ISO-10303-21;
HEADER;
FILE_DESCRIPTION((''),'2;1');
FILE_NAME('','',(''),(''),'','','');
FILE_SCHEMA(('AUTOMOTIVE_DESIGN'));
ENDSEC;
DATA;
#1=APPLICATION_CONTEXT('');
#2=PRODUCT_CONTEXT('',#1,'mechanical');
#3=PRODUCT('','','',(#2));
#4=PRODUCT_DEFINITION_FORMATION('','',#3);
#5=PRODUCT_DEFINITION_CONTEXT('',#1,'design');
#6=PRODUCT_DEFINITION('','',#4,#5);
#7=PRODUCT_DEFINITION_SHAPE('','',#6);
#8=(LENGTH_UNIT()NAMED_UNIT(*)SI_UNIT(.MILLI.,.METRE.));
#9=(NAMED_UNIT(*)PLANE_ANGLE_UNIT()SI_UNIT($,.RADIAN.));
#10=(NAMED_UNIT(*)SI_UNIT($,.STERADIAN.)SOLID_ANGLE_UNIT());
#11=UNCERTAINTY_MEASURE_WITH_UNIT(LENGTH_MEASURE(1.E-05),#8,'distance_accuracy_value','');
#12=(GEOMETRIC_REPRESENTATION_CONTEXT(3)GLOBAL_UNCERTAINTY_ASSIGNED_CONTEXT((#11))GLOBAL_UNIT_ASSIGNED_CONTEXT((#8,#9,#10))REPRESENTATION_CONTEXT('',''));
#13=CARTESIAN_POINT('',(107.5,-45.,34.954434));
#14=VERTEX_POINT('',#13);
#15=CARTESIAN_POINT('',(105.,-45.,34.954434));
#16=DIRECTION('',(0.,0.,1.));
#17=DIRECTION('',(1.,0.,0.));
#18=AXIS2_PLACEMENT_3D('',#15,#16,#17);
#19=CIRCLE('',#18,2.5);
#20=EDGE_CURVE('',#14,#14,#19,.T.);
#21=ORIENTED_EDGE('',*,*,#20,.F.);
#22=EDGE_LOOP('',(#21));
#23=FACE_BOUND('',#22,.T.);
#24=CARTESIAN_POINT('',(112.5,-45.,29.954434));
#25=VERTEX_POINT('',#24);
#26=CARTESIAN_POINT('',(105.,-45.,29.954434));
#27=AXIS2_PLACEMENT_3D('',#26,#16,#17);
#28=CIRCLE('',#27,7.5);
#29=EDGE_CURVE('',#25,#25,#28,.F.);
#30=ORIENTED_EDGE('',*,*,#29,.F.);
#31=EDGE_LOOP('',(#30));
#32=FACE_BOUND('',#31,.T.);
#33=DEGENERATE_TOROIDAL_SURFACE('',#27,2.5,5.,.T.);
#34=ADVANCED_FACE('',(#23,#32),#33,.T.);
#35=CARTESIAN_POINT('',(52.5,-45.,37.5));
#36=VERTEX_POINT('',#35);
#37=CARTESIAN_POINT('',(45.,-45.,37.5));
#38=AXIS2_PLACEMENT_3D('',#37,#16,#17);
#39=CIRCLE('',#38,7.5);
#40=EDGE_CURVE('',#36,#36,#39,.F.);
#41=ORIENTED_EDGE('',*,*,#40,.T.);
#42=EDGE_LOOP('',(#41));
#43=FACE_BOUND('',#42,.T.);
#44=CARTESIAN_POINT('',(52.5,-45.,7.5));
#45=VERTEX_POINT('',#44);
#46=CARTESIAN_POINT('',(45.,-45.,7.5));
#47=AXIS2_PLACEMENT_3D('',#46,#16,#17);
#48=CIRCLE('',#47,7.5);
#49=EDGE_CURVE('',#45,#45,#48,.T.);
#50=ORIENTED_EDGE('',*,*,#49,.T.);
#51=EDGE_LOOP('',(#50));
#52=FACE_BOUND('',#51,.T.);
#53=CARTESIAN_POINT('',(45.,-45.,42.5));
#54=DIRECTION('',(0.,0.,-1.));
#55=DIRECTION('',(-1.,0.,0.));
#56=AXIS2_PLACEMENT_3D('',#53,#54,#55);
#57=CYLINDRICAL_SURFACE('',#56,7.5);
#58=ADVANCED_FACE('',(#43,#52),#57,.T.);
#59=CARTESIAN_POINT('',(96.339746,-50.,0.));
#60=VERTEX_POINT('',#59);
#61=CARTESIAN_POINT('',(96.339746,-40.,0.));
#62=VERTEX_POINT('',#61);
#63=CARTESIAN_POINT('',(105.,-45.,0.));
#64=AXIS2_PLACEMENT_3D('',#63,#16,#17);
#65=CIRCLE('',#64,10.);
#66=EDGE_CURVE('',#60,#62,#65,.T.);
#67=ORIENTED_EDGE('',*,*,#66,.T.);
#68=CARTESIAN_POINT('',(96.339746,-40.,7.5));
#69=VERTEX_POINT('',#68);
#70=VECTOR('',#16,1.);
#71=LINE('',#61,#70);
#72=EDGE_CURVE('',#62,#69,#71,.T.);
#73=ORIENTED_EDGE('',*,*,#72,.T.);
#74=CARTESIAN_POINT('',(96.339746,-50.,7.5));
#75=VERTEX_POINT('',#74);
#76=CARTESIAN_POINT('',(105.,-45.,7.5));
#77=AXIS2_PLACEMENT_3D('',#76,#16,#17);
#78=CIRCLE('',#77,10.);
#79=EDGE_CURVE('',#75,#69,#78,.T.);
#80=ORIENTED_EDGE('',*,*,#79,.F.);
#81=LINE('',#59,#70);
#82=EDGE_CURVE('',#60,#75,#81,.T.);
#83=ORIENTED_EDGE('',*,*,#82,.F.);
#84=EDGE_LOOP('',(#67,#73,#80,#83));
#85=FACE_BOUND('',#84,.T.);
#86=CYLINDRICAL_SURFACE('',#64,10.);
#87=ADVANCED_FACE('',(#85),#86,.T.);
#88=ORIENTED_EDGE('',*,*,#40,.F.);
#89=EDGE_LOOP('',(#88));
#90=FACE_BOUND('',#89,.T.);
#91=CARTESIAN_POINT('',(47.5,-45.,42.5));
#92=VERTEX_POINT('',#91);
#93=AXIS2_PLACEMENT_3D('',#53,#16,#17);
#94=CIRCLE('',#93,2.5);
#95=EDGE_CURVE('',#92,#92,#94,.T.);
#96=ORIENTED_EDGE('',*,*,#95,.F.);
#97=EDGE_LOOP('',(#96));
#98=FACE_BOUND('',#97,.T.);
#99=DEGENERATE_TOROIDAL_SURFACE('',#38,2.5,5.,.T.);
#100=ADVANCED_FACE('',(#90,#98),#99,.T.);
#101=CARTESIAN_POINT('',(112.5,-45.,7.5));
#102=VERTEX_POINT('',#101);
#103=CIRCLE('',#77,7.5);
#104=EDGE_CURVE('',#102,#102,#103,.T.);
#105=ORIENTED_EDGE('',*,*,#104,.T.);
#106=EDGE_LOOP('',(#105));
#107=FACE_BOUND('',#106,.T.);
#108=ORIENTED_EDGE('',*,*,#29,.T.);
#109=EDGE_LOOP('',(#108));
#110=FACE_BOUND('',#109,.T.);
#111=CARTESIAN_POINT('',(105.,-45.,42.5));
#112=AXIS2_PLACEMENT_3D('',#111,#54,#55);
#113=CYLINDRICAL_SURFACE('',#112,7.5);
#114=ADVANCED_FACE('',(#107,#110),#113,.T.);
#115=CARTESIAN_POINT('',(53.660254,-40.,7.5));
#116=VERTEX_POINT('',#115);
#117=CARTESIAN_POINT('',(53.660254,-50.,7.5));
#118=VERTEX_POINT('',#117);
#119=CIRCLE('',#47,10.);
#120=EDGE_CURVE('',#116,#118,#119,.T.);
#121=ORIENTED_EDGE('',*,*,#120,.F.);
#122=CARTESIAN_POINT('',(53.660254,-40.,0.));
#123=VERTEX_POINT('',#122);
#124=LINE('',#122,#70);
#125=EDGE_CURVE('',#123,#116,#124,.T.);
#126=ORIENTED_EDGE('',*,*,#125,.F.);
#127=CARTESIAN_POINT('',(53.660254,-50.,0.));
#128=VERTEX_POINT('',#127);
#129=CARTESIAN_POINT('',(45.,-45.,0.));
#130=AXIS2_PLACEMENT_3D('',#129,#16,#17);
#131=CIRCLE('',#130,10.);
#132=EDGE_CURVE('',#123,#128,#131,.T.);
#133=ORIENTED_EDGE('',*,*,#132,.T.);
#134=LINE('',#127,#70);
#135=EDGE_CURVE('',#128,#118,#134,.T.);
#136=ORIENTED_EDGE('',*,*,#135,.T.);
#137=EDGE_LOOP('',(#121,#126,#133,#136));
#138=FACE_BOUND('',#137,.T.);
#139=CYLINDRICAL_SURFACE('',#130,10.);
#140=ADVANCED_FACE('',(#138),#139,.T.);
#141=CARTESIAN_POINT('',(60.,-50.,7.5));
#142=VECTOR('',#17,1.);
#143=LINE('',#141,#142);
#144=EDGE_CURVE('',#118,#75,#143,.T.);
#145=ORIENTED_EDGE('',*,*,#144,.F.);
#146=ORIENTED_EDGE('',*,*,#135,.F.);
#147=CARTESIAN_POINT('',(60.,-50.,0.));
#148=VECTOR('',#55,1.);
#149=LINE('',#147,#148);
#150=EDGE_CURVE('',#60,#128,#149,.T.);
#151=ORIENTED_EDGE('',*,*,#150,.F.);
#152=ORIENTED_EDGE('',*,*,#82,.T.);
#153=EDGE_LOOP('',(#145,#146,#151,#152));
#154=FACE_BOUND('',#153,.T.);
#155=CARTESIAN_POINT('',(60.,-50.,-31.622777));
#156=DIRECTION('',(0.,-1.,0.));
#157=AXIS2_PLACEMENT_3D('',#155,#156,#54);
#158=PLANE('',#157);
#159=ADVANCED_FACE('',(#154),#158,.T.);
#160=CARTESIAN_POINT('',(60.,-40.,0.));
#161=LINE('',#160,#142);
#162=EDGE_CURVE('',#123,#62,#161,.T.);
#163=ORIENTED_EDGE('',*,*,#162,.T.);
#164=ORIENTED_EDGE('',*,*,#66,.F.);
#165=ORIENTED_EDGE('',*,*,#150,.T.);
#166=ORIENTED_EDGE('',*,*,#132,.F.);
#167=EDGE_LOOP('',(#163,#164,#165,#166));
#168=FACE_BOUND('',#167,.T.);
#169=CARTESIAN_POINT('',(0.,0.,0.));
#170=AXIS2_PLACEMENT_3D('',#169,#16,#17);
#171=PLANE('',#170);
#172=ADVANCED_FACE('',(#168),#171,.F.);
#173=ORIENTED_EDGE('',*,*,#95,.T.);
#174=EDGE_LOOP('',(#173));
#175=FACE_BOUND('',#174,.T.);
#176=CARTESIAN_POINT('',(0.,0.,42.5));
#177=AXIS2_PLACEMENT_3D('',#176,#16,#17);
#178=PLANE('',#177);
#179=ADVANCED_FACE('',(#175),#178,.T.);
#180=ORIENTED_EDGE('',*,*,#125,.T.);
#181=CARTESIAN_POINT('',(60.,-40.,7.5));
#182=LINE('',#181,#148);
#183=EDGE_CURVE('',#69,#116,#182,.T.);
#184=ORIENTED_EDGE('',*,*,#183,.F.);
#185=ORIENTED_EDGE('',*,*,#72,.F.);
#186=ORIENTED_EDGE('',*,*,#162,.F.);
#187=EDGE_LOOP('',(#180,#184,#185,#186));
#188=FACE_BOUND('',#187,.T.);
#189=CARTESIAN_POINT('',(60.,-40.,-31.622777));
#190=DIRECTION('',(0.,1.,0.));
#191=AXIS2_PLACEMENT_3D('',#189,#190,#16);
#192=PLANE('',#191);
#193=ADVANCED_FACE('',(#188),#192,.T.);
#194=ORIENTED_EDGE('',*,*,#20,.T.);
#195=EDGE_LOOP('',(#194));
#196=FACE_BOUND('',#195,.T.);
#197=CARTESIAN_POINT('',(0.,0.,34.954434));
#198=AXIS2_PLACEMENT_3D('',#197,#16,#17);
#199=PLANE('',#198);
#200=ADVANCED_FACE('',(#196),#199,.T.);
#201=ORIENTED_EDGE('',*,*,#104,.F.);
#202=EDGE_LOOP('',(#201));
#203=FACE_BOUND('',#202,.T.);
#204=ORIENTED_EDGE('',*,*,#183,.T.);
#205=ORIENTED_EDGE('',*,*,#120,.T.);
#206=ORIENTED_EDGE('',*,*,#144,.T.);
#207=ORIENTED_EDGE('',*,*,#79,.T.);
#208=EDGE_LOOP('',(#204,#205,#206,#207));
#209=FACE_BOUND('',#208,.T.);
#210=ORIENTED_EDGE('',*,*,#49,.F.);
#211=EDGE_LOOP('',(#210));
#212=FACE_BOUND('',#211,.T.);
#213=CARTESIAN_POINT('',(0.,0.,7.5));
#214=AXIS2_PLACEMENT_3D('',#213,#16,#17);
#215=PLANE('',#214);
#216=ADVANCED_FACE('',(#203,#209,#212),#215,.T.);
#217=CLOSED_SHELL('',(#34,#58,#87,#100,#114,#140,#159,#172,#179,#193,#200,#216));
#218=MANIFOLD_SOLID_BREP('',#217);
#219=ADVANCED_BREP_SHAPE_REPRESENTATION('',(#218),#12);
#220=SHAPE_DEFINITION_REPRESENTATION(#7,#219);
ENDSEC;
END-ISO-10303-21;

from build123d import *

# Parameters (mm, degrees)
SKETCH1_W               = 150
SKETCH1_H               = 90
BOSS_EXTRUDE1_DEPTH     = 70
SHELL4_T                = -5
SKETCH2_R               = 20
BOSS_EXTRUDE2_DEPTH     = 2.5
SKETCH3_R               = 7.5
BOSS_EXTRUDE3_DEPTH     = 35
SKETCH4_W               = 65
SKETCH4_H               = 4.658499389
CUT_EXTRUDE1_DEPTH      = 189.414436814
SKETCH6_W               = 3
SKETCH6_H               = 3
CUT_EXTRUDE3_DEPTH      = 40
FILLET4_R               = 5
FILLET5_R               = 5
SKETCH10_W              = 3
SKETCH10_H              = 3
CUT_EXTRUDE4_DEPTH      = 40
CUT_EXTRUDE5_DEPTH      = 187.614576065
CUT_EXTRUDE5_DEPTH_BACK = 187.614576065
SKETCH11_W              = 3
SKETCH11_H              = 3
SKETCH11_R              = 20
SKETCH12_W              = 30
SKETCH12_H              = 10
BOSS_EXTRUDE4_DEPTH     = 7.5
CUT_EXTRUDE8_DEPTH      = 146.17231141
CUT_EXTRUDE8_DEPTH_BACK = 146.17231141


with BuildPart() as part:
    # Sketch1 → Boss-Extrude1 (new body)
    with BuildSketch(Plane.XY):
        with Locations((75, -45)):
            Rectangle(SKETCH1_W, SKETCH1_H)
    extrude(amount=BOSS_EXTRUDE1_DEPTH)

    # Shell4
    shell4_openings = [part.faces().sort_by_distance(p)[0] for p in [
        (75, -45, 70),
    ]]
    offset(amount=SHELL4_T, openings=shell4_openings, kind=Kind.INTERSECTION)

    # Sketch2 → Boss-Extrude2 (add)
    with BuildSketch(Plane.XY.offset(5)):
        with Locations((45, -45)):
            Circle(SKETCH2_R)
        with Locations((105, -45)):
            Circle(SKETCH2_R)
    extrude(amount=BOSS_EXTRUDE2_DEPTH)

    # Sketch3 → Boss-Extrude3 (add)
    with BuildSketch(Plane.XY.offset(7.5)):
        with Locations((45, -45)):
            Circle(SKETCH3_R)
        with Locations((105, -45)):
            Circle(SKETCH3_R)
    extrude(amount=BOSS_EXTRUDE3_DEPTH)

    # Sketch4 → Cut-Extrude1 (cut, through all)
    with BuildSketch(Plane.XZ.offset(90)):
        Polygon((85, 70), (85, 49.954434269), (85, 34.954434269), (150, 34.954434269), (150, 70), align=None)
        with Locations((117.5, 72.329249694)):
            Rectangle(SKETCH4_W, SKETCH4_H)
    extrude(amount=-CUT_EXTRUDE1_DEPTH, mode=Mode.SUBTRACT)

    # Sketch6 → Cut-Extrude3 (cut)
    with BuildSketch(Plane.XY.offset(34.954434269)):
        with Locations((96.5, -2.5)):
            Rectangle(SKETCH6_W, SKETCH6_H)
        with Locations((113.5, -2.5)):
            Rectangle(SKETCH6_W, SKETCH6_H)
        with Locations((96.5, -87.5)):
            Rectangle(SKETCH6_W, SKETCH6_H)
        with Locations((113.5, -87.5)):
            Rectangle(SKETCH6_W, SKETCH6_H)
    extrude(amount=-CUT_EXTRUDE3_DEPTH, mode=Mode.SUBTRACT)

    # Fillet4
    fillet4_edges = [part.edges().sort_by_distance(p)[0] for p in [
        (5, -5, 37.5),
        (5, -85, 37.5),
        (145, -5, 19.977217134),
        (145, -85, 19.977217134),
        (150, 0, 17.477217134),
        (150, -90, 17.477217134),
        (85, -87.5, 70),
        (85, -87.5, 34.954434269),
        (85, -2.5, 70),
        (85, -2.5, 34.954434269),
        (0, 0, 35),
        (0, -90, 35),
    ]]
    fillet(fillet4_edges, radius=FILLET4_R)

    # Fillet5
    fillet5_edges = [part.edges().sort_by_distance(p)[0] for p in [
        (37.5, -45, 42.5),
        (97.5, -45, 34.954434269),
    ]]
    fillet(fillet5_edges, radius=FILLET5_R)

    # Sketch10 → Cut-Extrude4 (cut)
    with BuildSketch(Plane.XY.offset(70)):
        with Locations((2.5, -45)):
            Rectangle(SKETCH10_W, SKETCH10_H)
        with Locations((37.5, -87.5)):
            Rectangle(SKETCH10_W, SKETCH10_H)
        with Locations((37.5, -2.5)):
            Rectangle(SKETCH10_W, SKETCH10_H)
    extrude(amount=-CUT_EXTRUDE4_DEPTH, mode=Mode.SUBTRACT)

    # Sketch11 → Cut-Extrude5 (cut, two sides: drawn at the far end of the back side and taken through both)
    # profile 1 of 4: a face of its own
    with BuildSketch(Plane.XY.offset(5).offset(-CUT_EXTRUDE5_DEPTH_BACK)):
        with BuildLine():
            Line((85, -5), (85, 0))
            Line((85, 0), (80, 0))
            Line((80, 0), (5, 0))
            ThreePointArc((5, 0), (1.464466094, -1.464466094), (0, -5))
            Line((0, -5), (0, -85))
            ThreePointArc((0, -85), (1.464466094, -88.535533906), (5, -90))
            Line((5, -90), (80, -90))
            Line((80, -90), (85, -90))
            Line((85, -90), (85, -85))
            Line((85, -85), (80, -85))
            Line((80, -85), (10, -85))
            ThreePointArc((10, -85), (6.464466094, -83.535533906), (5, -80))
            Line((5, -80), (5, -10))
            ThreePointArc((5, -10), (6.464466094, -6.464466094), (10, -5))
            Line((10, -5), (80, -5))
            Line((80, -5), (85, -5))
        make_face()
        with Locations((37.5, -87.5)):
            Rectangle(SKETCH11_W, SKETCH11_H, mode=Mode.SUBTRACT)
        with Locations((2.5, -45)):
            Rectangle(SKETCH11_W, SKETCH11_H, mode=Mode.SUBTRACT)
        with Locations((37.5, -2.5)):
            Rectangle(SKETCH11_W, SKETCH11_H, mode=Mode.SUBTRACT)
    # profile 2 of 4: a face of its own
    with BuildSketch(Plane.XY.offset(5).offset(-CUT_EXTRUDE5_DEPTH_BACK)):
        with BuildLine():
            ThreePointArc((140, -85), (143.535533906, -83.535533906), (145, -80))
            Line((145, -80), (145, -10))
            ThreePointArc((145, -10), (143.535533906, -6.464466094), (140, -5))
            Line((140, -5), (10, -5))
            ThreePointArc((10, -5), (6.464466094, -6.464466094), (5, -10))
            Line((5, -10), (5, -80))
            ThreePointArc((5, -80), (6.464466094, -83.535533906), (10, -85))
            Line((10, -85), (140, -85))
        make_face()
        with Locations((105, -45)):
            Circle(SKETCH11_R, mode=Mode.SUBTRACT)
        with Locations((45, -45)):
            Circle(SKETCH11_R, mode=Mode.SUBTRACT)
    # profile 3 of 4: a face of its own
    with BuildSketch(Plane.XY.offset(5).offset(-CUT_EXTRUDE5_DEPTH_BACK)):
        with BuildLine():
            Line((145, 0), (90, 0))
            Line((90, 0), (85, 0))
            Line((85, 0), (85, -5))
            Line((85, -5), (90, -5))
            Line((90, -5), (140, -5))
            ThreePointArc((140, -5), (143.535533906, -6.464466094), (145, -10))
            Line((145, -10), (145, -80))
            ThreePointArc((145, -80), (143.535533906, -83.535533906), (140, -85))
            Line((140, -85), (90, -85))
            Line((90, -85), (85, -85))
            Line((85, -85), (85, -90))
            Line((85, -90), (90, -90))
            Line((90, -90), (145, -90))
            ThreePointArc((145, -90), (148.535533906, -88.535533906), (150, -85))
            Line((150, -85), (150, -5))
            ThreePointArc((150, -5), (148.535533906, -1.464466094), (145, 0))
        make_face()
    # profile 4 of 4: a face of its own
    with BuildSketch(Plane.XY.offset(5).offset(-CUT_EXTRUDE5_DEPTH_BACK)):
        with Locations((2.5, -45)):
            Rectangle(SKETCH11_W, SKETCH11_H)
    extrude(amount=CUT_EXTRUDE5_DEPTH + CUT_EXTRUDE5_DEPTH_BACK, mode=Mode.SUBTRACT)


with BuildPart() as cut_extrude5_piece_1:
    # of the separate pieces the step leaves, piece 1, a body of its own (cut_extrude5_pieces_kept)
    add(part.part.solids().sort_by_distance((65, -45, 7.5))[0])



with BuildPart() as cut_extrude5_piece_2:
    # of the separate pieces the step leaves, piece 2, a body of its own (cut_extrude5_pieces_kept)
    add(part.part.solids().sort_by_distance((112.5, -45, 29.954434269))[0])


with BuildPart() as cut_extrude5_piece_1_1:
    add(cut_extrude5_piece_1.part)

    add(cut_extrude5_piece_2.part)  # Boss-Extrude4 merges Cut-Extrude5 piece 2
    # Sketch12 → Boss-Extrude4 (add)
    with BuildSketch(Plane.XY.offset(7.5)):
        with Locations((75, -45)):
            Rectangle(SKETCH12_W, SKETCH12_H)
    extrude(amount=-BOSS_EXTRUDE4_DEPTH)

    # Sketch13 → Cut-Extrude8 (cut, two sides: drawn at the far end of the back side and taken through both)
    with BuildSketch(Plane.XY.offset(7.5).offset(-CUT_EXTRUDE8_DEPTH_BACK)):
        with BuildLine():
            ThreePointArc((64.364916731, -40), (25, -45), (64.364916731, -50))
            Line((64.364916731, -50), (53.660254038, -50))
            ThreePointArc((53.660254038, -50), (35, -45), (53.660254038, -40))
            Line((53.660254038, -40), (64.364916731, -40))
        make_face()
        with BuildLine():
            Line((96.339745962, -50), (85.635083269, -50))
            ThreePointArc((85.635083269, -50), (107.52008585, -64.840593925), (125, -45))
            ThreePointArc((125, -45), (107.52008585, -25.159406075), (85.635083269, -40))
            Line((85.635083269, -40), (96.339745962, -40))
            ThreePointArc((96.339745962, -40), (107.588190451, -35.340741737), (115, -45))
            ThreePointArc((115, -45), (107.588190451, -54.659258263), (96.339745962, -50))
        make_face()
    extrude(amount=CUT_EXTRUDE8_DEPTH + CUT_EXTRUDE8_DEPTH_BACK, mode=Mode.SUBTRACT)


solid = cut_extrude5_piece_1_1.part
